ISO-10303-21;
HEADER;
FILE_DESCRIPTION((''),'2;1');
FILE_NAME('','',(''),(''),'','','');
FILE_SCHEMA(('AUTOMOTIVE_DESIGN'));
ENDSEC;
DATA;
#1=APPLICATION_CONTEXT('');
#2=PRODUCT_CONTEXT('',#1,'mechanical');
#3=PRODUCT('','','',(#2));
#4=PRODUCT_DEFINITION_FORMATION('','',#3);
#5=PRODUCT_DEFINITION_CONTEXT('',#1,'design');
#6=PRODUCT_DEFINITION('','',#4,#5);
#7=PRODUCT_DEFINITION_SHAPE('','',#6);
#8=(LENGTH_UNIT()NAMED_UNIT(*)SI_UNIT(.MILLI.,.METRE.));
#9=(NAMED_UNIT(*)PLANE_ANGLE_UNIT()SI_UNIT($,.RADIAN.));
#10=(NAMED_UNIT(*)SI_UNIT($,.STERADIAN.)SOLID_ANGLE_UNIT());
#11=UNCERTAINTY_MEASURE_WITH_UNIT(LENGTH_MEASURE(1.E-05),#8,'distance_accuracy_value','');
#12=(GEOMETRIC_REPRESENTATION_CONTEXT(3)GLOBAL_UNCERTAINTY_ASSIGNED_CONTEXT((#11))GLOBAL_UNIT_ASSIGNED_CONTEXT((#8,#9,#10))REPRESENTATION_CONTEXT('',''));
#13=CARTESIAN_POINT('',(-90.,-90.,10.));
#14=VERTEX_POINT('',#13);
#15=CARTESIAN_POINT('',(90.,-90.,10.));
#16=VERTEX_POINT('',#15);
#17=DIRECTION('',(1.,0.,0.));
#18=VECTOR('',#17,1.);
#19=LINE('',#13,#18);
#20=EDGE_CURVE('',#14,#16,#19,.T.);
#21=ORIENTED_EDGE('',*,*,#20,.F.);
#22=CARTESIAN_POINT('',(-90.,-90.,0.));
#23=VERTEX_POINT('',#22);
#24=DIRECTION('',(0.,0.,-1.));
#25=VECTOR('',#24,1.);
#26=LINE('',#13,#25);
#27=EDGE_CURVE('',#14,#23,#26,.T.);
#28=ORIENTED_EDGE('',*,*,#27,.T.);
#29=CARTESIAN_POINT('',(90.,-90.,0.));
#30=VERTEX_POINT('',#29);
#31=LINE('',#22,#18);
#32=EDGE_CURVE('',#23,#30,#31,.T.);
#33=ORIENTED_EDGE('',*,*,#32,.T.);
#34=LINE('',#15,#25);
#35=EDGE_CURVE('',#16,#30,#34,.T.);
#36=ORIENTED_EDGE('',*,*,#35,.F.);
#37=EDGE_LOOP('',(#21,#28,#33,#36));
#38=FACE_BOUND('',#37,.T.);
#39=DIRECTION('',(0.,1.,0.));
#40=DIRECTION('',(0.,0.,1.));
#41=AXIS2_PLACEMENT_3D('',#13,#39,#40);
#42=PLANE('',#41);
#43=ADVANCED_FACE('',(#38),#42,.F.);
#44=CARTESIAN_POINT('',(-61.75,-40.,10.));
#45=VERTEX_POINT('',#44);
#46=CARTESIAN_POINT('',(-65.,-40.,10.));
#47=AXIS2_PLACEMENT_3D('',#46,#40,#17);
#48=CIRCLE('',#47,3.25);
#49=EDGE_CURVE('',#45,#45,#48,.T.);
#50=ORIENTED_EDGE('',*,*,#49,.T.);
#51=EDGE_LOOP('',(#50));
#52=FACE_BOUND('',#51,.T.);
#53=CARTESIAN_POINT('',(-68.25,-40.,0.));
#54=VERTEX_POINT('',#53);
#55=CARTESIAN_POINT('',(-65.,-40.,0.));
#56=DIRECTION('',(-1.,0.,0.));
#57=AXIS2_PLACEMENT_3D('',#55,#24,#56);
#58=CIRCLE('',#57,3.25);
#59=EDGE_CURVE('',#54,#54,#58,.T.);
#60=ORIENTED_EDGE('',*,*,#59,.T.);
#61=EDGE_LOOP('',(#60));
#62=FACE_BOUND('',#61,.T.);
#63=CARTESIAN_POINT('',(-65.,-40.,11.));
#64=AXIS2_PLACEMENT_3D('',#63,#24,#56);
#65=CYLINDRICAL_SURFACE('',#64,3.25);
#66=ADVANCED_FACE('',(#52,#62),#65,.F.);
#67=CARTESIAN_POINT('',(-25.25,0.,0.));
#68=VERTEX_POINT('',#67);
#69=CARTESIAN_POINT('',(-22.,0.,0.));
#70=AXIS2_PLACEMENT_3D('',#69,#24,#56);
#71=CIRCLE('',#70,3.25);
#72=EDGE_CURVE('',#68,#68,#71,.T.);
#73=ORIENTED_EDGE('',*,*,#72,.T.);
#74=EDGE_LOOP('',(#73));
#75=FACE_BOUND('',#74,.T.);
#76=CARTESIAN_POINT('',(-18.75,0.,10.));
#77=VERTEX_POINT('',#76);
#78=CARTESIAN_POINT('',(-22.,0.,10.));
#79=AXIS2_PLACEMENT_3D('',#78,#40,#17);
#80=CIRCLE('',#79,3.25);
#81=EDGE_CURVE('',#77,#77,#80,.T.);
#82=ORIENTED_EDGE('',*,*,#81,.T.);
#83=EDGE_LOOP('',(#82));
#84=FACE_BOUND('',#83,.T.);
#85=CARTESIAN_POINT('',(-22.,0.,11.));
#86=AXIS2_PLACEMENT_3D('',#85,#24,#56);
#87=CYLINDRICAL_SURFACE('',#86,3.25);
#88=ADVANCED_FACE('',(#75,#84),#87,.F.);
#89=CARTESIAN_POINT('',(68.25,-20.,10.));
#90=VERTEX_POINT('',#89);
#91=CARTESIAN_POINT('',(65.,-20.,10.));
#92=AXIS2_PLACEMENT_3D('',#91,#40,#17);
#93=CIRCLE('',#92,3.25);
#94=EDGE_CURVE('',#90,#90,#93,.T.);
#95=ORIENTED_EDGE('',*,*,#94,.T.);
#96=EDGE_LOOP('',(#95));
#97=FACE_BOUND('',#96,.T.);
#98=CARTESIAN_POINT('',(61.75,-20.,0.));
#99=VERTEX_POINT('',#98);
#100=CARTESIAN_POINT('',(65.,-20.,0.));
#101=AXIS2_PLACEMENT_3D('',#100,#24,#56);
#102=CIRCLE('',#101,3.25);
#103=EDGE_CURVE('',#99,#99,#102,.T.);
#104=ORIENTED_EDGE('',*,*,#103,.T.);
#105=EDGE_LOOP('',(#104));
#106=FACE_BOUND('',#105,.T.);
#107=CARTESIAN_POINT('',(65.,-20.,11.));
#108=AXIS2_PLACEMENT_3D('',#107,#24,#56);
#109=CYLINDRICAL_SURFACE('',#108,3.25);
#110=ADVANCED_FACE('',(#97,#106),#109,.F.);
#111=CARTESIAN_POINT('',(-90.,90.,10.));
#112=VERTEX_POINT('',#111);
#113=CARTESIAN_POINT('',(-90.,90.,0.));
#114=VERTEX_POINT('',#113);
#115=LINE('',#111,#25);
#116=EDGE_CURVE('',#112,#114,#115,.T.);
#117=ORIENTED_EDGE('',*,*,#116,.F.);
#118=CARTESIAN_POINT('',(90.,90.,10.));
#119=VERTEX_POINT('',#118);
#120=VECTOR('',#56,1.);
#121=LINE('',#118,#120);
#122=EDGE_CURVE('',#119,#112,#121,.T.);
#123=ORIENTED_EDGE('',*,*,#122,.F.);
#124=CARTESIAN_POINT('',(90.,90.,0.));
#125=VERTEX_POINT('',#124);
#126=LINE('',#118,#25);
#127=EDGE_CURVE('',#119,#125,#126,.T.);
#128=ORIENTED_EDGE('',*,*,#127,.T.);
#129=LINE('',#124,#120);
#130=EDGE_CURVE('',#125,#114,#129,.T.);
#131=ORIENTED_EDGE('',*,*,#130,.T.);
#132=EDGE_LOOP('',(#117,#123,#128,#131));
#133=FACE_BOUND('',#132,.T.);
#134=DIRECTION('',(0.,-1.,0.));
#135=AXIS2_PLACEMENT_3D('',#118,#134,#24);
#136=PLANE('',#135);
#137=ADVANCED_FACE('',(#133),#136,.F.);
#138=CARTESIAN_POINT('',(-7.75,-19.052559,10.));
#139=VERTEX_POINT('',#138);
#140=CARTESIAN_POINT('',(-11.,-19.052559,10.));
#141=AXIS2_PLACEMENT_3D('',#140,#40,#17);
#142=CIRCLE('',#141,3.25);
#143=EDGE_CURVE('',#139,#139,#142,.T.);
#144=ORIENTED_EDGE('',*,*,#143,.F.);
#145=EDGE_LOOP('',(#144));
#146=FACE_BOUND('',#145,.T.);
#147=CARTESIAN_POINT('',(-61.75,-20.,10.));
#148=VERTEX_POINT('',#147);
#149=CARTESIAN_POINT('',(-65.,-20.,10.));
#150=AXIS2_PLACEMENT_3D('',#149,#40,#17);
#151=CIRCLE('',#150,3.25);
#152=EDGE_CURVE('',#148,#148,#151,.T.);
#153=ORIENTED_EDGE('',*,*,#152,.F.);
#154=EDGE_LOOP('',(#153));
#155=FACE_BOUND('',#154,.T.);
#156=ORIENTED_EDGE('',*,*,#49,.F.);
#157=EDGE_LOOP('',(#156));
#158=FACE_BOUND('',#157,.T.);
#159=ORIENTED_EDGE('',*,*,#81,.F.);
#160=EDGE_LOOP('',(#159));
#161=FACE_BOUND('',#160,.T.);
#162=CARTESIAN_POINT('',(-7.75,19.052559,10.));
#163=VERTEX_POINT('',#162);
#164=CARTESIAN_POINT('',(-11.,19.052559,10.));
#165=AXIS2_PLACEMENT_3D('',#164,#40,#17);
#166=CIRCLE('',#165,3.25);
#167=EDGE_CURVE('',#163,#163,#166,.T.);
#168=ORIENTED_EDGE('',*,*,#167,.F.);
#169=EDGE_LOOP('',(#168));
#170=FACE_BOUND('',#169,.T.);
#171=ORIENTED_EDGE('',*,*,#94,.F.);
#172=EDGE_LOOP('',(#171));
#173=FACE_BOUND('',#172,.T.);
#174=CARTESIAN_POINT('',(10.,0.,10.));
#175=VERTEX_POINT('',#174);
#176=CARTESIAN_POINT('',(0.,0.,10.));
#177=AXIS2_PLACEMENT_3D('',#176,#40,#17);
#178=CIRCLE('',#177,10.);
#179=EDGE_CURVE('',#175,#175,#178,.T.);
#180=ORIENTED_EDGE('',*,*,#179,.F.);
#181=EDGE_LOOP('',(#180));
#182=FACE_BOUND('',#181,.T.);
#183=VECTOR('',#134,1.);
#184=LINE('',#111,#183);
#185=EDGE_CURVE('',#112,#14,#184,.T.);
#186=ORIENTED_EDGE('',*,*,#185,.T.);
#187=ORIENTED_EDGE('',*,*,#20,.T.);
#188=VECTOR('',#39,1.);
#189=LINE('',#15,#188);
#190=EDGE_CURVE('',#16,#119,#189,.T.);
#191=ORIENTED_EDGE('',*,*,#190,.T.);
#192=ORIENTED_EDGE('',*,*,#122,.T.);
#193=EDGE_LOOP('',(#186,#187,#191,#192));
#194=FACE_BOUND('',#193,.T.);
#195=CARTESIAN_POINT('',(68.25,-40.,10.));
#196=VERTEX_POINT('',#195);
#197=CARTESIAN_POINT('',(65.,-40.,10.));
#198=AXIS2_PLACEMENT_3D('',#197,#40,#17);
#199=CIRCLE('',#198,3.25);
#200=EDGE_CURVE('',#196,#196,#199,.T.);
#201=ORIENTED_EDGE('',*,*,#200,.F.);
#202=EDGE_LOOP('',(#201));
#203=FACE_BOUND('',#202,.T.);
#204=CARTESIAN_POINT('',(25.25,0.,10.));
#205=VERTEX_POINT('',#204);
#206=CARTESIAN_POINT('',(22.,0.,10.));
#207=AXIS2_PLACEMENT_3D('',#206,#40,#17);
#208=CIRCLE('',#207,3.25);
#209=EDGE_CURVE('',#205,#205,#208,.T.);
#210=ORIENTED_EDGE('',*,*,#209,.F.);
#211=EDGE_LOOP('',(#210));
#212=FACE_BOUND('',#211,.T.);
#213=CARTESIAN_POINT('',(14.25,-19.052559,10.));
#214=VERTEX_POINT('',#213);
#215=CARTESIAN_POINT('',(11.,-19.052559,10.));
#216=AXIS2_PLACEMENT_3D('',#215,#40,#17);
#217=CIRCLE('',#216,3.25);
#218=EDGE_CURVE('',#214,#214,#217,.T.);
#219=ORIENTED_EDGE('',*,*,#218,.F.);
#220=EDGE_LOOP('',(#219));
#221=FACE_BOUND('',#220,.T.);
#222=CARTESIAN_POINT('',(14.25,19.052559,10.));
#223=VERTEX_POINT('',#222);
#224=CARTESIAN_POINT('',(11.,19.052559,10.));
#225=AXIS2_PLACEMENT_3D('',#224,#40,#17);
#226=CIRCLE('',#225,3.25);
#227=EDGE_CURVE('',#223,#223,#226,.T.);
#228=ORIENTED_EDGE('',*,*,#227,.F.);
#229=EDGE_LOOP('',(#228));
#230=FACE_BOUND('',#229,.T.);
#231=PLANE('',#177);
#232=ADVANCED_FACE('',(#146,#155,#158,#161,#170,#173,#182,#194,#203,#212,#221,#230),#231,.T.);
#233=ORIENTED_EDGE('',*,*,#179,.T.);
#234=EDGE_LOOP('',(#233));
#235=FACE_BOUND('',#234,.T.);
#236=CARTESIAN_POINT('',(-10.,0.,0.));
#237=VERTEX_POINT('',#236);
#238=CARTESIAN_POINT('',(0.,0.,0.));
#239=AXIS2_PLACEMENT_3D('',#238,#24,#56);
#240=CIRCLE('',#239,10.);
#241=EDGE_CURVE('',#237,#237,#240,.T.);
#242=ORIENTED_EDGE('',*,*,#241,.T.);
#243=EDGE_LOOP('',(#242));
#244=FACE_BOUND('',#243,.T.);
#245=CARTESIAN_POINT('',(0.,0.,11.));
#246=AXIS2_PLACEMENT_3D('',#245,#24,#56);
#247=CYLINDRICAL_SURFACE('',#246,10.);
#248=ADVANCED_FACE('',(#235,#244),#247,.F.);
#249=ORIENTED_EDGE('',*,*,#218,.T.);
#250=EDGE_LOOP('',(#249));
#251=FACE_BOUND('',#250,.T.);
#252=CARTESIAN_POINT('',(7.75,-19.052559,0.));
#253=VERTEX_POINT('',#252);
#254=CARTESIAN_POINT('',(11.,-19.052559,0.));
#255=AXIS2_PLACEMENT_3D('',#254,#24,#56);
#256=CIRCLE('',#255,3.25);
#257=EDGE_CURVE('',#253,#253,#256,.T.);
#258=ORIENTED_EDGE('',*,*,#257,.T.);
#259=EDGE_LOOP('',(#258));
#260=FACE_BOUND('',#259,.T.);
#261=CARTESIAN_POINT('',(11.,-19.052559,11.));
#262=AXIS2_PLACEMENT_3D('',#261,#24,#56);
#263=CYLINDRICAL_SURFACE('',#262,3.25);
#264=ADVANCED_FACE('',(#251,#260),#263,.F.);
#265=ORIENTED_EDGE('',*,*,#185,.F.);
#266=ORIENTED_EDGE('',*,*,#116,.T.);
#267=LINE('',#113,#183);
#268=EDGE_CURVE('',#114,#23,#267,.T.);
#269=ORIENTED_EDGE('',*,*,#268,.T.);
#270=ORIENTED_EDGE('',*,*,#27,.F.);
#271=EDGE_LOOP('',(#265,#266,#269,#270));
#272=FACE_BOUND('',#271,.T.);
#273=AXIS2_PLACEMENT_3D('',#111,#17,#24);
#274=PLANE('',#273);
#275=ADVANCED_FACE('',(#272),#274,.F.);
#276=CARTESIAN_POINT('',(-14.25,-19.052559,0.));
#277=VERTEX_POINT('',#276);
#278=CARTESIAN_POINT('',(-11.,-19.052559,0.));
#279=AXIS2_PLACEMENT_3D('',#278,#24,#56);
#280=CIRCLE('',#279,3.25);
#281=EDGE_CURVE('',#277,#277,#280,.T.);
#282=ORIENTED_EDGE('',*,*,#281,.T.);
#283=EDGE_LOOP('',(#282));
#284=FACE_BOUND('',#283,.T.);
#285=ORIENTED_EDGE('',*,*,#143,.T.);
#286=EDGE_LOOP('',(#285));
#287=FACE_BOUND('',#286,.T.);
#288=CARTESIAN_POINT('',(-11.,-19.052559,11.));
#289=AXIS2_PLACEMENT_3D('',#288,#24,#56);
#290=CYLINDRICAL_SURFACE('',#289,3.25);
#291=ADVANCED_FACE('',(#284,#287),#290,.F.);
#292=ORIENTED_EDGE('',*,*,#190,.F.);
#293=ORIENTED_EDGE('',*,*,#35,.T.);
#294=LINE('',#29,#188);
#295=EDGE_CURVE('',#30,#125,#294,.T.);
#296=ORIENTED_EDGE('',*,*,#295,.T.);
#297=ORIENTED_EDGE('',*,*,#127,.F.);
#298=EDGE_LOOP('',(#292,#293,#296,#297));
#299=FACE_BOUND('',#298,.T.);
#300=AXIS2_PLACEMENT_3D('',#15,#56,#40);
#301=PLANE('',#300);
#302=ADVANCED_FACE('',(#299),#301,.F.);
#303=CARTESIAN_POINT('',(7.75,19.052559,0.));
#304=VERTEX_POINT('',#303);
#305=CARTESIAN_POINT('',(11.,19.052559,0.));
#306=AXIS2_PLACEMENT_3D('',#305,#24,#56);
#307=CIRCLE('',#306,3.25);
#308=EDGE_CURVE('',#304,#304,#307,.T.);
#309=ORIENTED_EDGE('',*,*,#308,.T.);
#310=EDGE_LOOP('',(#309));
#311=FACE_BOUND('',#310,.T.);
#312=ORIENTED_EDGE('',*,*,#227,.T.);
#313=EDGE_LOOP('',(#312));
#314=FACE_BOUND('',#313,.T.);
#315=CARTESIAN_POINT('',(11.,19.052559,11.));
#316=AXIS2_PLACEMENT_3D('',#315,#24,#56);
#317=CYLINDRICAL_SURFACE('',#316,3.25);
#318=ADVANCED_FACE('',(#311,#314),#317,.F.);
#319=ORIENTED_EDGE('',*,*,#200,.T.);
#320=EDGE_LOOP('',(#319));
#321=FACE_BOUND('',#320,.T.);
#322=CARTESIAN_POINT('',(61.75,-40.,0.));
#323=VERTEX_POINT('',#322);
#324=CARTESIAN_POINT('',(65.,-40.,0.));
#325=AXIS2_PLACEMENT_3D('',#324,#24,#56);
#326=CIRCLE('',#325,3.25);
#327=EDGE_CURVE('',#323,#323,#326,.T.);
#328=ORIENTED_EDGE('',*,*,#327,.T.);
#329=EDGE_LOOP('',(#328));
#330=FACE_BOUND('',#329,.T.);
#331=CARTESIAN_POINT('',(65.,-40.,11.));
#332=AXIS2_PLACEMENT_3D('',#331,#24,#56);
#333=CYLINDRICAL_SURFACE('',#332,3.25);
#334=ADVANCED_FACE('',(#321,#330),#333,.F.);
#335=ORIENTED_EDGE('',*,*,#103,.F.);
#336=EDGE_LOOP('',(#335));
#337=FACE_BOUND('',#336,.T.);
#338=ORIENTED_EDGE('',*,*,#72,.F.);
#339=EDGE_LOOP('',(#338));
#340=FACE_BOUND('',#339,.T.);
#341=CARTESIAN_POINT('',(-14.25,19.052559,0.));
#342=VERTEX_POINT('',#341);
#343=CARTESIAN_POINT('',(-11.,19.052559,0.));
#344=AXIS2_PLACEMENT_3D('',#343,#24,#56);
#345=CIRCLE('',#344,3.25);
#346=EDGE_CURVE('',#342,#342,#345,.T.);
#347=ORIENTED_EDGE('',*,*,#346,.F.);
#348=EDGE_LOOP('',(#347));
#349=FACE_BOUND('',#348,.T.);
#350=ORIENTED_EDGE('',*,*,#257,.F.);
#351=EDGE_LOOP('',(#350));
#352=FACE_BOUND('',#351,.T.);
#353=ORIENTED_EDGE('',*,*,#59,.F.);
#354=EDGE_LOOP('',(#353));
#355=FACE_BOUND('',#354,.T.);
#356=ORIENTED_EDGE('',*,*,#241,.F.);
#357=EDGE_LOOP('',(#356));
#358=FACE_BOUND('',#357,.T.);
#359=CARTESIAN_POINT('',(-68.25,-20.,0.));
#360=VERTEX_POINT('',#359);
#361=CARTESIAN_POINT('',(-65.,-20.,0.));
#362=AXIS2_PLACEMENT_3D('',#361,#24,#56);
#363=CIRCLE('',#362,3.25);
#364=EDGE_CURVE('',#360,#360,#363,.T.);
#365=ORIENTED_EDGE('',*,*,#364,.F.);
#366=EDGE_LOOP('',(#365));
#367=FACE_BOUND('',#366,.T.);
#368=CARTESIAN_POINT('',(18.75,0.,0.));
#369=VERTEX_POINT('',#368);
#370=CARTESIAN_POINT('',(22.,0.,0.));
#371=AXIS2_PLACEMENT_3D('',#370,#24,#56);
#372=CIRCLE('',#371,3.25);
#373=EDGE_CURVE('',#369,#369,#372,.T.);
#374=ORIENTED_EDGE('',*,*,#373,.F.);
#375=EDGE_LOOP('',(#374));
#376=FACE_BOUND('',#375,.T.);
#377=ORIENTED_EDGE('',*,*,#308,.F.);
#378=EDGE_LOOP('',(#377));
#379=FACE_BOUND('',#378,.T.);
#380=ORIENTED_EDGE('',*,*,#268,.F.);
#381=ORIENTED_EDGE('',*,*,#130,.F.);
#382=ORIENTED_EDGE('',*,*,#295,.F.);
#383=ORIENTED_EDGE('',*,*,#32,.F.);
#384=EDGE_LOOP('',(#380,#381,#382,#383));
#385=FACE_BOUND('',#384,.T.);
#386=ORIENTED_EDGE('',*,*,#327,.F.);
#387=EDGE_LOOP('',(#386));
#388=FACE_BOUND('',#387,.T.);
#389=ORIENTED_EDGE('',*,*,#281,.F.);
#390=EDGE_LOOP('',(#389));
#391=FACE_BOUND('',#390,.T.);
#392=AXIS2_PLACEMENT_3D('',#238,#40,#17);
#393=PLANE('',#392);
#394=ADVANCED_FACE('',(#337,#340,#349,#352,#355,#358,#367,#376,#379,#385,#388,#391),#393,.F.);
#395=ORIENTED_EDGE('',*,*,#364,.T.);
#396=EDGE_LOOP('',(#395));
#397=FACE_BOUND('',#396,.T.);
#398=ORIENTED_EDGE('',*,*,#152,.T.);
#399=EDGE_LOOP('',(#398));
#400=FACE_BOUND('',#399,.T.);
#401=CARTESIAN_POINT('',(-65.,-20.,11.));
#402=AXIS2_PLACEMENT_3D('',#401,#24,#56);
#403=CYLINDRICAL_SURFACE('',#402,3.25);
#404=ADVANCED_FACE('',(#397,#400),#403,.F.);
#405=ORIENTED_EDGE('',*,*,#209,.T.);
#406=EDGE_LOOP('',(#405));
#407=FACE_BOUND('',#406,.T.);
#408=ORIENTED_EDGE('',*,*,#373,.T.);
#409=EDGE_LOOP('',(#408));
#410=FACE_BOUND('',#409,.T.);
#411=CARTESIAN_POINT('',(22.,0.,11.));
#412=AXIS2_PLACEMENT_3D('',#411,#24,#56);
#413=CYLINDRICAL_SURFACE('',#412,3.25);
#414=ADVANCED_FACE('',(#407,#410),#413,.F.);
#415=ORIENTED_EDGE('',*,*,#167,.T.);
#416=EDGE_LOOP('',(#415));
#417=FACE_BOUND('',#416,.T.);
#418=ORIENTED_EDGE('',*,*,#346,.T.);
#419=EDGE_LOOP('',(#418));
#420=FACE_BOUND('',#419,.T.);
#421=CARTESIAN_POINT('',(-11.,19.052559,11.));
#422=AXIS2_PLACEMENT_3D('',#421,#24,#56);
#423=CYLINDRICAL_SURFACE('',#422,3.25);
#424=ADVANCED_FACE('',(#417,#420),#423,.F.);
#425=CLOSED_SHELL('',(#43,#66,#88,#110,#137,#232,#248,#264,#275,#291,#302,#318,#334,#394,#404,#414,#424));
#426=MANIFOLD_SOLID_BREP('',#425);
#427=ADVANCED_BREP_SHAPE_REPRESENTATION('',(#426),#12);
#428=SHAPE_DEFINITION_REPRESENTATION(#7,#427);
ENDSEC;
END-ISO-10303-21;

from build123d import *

# Parameters (mm, degrees)
SKETCH_1_W          = 180
SKETCH_1_H          = 180
EXTRUDE_1_DEPTH     = 10
SKETCH_2_R          = 10
SKETCH_2_R_2        = 3.25
CUT_EXTRUDE_1_DEPTH = 11


with BuildPart() as part:
    # 草图1 → 凸台-拉伸1 (new body)
    with BuildSketch(Plane.XY):
        Rectangle(SKETCH_1_W, SKETCH_1_H)
    extrude(amount=EXTRUDE_1_DEPTH)

    # 草图2 → 切除-拉伸1 (cut)
    with BuildSketch(Plane(origin=(0, 0, 0), x_dir=(-1, 0, 0), z_dir=(0, 0, -1))):
        Circle(SKETCH_2_R)
        with Locations((-22, 0)):
            Circle(SKETCH_2_R_2)
        with Locations((-11, 19.052558883)):
            Circle(SKETCH_2_R_2)
        with Locations((11, 19.052558883)):
            Circle(SKETCH_2_R_2)
        with Locations((22, 0)):
            Circle(SKETCH_2_R_2)
        with Locations((11, -19.052558883)):
            Circle(SKETCH_2_R_2)
        with Locations((-11, -19.052558883)):
            Circle(SKETCH_2_R_2)
        with Locations((65, -20)):
            Circle(SKETCH_2_R_2)
        with Locations((65, -40)):
            Circle(SKETCH_2_R_2)
        with Locations((-65, -20)):
            Circle(SKETCH_2_R_2)
        with Locations((-65, -40)):
            Circle(SKETCH_2_R_2)
    extrude(amount=-CUT_EXTRUDE_1_DEPTH, mode=Mode.SUBTRACT)


solid = part.part
